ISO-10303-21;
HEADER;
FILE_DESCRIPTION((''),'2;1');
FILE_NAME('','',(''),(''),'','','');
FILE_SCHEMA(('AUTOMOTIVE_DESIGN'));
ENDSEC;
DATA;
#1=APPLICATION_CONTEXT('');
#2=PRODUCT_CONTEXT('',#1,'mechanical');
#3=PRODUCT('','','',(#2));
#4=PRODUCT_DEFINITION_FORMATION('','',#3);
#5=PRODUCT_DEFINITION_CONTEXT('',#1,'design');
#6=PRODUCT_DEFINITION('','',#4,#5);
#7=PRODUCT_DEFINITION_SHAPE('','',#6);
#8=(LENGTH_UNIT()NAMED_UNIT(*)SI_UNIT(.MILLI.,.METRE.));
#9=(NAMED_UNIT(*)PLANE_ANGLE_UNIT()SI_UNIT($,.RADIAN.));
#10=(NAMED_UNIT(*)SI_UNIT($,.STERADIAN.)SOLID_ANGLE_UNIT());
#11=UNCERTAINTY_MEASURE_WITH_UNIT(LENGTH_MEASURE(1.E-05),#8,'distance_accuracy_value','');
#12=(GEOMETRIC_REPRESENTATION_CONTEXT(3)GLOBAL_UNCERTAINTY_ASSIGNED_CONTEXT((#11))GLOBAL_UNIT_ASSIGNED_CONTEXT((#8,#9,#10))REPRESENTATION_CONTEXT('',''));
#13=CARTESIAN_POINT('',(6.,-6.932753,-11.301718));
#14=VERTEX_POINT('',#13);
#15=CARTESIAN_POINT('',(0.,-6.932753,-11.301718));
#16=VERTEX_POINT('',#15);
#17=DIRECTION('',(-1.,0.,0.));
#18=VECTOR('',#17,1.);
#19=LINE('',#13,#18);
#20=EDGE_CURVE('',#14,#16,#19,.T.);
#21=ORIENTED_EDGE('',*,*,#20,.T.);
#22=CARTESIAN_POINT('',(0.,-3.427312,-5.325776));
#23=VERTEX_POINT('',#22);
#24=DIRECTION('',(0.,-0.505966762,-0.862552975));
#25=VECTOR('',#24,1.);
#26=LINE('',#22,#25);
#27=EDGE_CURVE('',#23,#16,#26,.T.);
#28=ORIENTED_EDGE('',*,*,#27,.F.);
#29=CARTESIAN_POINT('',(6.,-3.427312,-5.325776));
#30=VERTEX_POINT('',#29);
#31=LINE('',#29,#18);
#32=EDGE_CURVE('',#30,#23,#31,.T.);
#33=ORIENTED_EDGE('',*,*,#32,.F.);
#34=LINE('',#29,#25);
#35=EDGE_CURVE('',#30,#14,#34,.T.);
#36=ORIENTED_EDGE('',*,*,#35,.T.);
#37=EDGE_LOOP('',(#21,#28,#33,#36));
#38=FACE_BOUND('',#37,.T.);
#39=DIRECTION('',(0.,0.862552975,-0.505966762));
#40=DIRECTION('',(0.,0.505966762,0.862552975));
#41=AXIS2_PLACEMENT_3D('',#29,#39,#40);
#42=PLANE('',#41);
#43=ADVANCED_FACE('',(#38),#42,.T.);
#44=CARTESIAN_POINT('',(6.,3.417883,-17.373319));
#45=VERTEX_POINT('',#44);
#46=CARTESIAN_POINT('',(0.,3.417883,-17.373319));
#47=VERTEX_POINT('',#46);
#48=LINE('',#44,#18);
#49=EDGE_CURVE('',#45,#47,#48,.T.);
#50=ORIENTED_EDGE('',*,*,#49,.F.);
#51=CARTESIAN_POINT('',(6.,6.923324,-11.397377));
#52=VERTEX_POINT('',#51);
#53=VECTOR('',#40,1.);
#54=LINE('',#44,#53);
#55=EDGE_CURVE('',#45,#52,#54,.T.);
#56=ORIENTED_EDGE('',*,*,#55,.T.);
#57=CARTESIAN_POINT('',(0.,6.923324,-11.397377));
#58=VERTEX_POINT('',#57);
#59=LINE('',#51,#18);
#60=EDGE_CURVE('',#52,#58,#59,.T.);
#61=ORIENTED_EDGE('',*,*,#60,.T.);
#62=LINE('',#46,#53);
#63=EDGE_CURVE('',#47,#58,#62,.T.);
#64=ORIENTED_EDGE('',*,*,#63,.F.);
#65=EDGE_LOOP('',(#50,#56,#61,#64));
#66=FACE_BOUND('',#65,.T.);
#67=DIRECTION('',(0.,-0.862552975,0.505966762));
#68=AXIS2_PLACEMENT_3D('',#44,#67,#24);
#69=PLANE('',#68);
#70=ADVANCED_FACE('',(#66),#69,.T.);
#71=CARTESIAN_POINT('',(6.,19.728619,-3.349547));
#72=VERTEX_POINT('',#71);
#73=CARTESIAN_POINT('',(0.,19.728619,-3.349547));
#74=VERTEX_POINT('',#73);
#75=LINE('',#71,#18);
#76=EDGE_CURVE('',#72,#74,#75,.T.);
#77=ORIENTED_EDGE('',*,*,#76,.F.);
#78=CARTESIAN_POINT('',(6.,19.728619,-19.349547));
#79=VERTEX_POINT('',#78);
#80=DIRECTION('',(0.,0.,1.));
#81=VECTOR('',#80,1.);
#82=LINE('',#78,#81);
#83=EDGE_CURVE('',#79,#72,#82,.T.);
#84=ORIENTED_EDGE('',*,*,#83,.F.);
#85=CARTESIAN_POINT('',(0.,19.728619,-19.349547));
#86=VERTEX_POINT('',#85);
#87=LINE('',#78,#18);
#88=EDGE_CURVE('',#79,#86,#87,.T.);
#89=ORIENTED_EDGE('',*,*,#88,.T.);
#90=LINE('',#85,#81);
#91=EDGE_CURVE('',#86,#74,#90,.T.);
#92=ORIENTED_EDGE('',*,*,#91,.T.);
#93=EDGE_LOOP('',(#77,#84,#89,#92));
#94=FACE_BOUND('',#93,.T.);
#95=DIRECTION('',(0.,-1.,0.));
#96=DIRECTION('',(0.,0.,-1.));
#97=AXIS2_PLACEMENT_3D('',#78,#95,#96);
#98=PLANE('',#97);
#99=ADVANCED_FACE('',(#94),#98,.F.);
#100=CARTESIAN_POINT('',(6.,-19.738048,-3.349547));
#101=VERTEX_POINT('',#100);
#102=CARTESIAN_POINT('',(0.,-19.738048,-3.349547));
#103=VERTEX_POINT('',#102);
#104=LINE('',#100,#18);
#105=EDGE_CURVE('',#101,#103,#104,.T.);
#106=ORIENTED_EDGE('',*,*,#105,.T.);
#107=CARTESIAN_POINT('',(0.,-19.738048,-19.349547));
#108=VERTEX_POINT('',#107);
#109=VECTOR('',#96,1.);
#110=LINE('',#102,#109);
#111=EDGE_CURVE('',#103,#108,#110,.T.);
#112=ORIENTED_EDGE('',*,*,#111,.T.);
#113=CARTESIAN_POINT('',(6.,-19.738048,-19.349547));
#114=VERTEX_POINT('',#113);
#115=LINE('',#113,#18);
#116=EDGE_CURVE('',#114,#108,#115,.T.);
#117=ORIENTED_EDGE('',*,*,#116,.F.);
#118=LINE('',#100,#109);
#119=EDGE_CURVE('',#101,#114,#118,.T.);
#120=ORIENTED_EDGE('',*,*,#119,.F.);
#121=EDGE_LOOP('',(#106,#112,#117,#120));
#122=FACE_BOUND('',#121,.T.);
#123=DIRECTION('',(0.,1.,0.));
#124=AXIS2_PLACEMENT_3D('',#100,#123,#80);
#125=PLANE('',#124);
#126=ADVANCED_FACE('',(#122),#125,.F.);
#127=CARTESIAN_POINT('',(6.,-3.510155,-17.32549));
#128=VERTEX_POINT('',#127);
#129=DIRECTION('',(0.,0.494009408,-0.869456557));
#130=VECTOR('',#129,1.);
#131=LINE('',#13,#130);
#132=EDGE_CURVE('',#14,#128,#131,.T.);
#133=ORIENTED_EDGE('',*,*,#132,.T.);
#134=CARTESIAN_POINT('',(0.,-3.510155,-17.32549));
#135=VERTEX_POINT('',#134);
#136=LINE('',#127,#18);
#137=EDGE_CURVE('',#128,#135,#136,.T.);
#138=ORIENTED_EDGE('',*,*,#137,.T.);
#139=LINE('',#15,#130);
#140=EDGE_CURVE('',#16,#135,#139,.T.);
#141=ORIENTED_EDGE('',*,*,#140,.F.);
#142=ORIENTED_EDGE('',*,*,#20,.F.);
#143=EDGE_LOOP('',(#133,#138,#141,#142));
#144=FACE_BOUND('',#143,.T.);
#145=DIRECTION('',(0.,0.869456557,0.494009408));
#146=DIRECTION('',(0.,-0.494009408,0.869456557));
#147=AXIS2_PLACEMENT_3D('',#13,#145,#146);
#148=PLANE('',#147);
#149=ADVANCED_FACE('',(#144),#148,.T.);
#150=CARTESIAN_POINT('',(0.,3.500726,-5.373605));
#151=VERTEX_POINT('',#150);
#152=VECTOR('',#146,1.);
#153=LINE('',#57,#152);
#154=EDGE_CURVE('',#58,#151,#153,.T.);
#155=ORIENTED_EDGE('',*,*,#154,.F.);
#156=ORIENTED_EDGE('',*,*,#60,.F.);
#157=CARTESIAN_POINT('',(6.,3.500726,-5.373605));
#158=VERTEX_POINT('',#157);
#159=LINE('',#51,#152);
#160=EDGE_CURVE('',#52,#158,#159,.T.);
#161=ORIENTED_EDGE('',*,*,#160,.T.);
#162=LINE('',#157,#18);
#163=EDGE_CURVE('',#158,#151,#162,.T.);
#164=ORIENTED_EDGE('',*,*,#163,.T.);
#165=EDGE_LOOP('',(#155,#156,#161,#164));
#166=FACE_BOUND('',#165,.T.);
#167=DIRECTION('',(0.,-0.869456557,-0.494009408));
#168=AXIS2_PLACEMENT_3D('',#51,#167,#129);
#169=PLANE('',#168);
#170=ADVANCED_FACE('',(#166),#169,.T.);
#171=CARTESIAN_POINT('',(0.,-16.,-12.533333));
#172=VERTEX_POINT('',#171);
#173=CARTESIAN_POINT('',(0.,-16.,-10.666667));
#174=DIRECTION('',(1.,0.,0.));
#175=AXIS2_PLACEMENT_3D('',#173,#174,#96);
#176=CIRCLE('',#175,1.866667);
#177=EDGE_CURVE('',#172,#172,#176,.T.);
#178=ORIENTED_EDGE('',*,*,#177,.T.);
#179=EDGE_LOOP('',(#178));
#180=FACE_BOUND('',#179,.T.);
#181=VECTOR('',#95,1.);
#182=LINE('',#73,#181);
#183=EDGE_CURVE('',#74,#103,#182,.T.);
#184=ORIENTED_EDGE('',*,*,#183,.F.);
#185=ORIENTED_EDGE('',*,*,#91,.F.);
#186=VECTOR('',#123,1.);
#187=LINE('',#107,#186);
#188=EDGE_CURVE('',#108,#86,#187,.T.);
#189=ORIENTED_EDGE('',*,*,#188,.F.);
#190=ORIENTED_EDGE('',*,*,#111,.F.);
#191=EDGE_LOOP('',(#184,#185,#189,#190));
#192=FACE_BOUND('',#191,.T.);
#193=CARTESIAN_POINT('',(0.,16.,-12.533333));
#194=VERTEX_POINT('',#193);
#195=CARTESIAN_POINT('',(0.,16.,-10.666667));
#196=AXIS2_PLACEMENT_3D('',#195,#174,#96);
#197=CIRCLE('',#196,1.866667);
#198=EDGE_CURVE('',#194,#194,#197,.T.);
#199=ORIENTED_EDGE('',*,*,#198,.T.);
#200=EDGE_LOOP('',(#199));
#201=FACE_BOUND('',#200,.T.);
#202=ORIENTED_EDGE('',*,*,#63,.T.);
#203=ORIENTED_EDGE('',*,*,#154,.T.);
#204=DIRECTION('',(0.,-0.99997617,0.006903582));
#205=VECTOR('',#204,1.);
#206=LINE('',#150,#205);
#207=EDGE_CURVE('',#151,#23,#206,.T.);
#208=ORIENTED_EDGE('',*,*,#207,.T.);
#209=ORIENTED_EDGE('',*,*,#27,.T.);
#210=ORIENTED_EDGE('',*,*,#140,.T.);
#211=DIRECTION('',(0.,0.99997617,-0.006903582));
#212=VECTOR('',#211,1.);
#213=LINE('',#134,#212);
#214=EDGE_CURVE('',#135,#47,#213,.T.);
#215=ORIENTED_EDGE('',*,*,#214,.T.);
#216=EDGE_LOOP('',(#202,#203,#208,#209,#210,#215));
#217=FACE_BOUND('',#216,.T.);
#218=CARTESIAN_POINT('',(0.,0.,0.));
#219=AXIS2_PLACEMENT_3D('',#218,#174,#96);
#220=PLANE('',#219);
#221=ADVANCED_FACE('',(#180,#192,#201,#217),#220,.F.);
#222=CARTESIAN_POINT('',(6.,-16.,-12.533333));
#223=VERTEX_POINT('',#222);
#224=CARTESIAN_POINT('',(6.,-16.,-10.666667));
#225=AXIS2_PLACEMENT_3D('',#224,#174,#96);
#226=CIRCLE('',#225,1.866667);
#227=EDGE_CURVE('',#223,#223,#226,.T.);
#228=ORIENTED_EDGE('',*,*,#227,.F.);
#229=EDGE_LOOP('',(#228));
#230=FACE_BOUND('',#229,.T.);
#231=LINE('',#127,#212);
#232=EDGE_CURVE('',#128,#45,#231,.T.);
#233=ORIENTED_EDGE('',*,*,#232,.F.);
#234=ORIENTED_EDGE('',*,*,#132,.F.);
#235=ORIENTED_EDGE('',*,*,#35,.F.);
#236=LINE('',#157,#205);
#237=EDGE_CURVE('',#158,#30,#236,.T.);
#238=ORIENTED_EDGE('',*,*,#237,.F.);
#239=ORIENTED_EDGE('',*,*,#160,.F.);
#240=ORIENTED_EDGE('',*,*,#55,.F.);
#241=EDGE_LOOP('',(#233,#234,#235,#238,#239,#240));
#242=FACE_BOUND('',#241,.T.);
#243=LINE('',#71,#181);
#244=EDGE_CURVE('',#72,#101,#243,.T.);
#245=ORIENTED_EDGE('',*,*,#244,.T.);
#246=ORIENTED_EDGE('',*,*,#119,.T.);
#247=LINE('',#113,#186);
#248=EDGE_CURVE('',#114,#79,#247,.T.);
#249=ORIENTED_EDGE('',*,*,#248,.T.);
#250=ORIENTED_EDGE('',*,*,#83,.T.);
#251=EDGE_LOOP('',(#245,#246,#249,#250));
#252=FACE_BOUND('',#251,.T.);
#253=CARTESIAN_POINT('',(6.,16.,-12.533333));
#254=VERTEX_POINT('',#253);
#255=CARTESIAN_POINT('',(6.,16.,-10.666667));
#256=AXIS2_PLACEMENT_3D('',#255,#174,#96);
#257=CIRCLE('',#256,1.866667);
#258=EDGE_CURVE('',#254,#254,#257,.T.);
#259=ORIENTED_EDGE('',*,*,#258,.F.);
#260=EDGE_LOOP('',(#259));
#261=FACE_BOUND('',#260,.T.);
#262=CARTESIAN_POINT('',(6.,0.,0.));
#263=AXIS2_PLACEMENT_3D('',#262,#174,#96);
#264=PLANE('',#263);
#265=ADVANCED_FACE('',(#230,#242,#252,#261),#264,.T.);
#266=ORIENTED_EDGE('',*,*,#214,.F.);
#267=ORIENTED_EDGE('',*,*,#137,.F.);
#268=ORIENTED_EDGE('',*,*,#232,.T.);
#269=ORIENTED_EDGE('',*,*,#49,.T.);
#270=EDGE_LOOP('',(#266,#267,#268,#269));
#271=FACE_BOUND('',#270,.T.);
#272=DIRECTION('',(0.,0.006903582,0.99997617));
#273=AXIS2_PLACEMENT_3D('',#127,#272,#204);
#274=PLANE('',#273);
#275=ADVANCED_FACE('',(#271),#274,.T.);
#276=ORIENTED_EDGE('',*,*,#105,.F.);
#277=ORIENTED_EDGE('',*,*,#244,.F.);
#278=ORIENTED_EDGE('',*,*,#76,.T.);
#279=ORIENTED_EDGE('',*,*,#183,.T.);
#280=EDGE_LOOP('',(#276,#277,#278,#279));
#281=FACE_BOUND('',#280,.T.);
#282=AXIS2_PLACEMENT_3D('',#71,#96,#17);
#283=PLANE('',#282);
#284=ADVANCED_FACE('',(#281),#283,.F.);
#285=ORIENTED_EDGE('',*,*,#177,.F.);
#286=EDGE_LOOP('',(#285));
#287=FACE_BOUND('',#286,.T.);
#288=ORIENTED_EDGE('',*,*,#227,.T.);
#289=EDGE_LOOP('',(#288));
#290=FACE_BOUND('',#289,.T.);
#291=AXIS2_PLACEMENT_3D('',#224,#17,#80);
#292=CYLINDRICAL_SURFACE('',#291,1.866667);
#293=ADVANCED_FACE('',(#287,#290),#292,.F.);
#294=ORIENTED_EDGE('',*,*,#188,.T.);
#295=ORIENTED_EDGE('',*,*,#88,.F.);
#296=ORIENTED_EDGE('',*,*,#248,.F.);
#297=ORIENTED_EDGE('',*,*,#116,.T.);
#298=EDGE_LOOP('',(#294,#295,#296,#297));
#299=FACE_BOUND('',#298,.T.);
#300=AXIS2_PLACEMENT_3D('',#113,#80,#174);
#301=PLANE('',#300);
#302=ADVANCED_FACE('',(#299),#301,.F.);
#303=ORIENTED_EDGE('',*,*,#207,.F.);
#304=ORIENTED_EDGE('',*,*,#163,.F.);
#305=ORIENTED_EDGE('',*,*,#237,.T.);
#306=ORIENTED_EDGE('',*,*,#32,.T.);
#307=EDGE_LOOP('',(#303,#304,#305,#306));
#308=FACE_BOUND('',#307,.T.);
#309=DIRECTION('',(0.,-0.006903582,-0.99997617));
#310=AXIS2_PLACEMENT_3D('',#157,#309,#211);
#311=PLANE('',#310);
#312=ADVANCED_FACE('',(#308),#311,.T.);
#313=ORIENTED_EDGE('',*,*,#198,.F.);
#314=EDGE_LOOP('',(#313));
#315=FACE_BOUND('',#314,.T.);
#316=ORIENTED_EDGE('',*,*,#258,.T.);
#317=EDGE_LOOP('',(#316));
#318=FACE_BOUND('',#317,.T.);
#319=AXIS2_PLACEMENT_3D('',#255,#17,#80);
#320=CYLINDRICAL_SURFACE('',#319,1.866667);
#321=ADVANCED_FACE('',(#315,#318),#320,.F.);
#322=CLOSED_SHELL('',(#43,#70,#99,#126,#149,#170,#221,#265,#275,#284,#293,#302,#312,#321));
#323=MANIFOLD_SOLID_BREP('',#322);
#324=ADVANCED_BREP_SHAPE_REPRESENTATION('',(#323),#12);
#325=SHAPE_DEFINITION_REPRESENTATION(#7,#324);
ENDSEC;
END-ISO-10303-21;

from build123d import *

# Parameters (mm, degrees)
SKETCH1_W           = 39.466666666
SKETCH1_H           = 16
SKETCH1_R           = 1.866666667
BOSS_EXTRUDE1_DEPTH = 6


with BuildPart() as part:
    # Sketch1 → Boss-Extrude1 (new body)
    with BuildSketch(Plane(origin=(0, 0, 0), x_dir=(0, -1, 0), z_dir=(1, 0, 0))):
        with Locations((0.004714435, 11.349547327)):
            Rectangle(SKETCH1_W, SKETCH1_H)
        with Locations(Location((16, 10.666666667, 0), (0, 0, 90))):
            Circle(SKETCH1_R, mode=Mode.SUBTRACT)
        with Locations(Location((-16, 10.666666667, 0), (0, 0, 90))):
            Circle(SKETCH1_R, mode=Mode.SUBTRACT)
        Polygon((-3.417883139, 17.373319057), (-6.923323696, 11.397376747), (-3.500726123, 5.373605017), (3.427312009, 5.325775598), (6.932752566, 11.301717908), (3.510154993, 17.325489638), align=None, mode=Mode.SUBTRACT)
    extrude(amount=BOSS_EXTRUDE1_DEPTH)


solid = part.part
